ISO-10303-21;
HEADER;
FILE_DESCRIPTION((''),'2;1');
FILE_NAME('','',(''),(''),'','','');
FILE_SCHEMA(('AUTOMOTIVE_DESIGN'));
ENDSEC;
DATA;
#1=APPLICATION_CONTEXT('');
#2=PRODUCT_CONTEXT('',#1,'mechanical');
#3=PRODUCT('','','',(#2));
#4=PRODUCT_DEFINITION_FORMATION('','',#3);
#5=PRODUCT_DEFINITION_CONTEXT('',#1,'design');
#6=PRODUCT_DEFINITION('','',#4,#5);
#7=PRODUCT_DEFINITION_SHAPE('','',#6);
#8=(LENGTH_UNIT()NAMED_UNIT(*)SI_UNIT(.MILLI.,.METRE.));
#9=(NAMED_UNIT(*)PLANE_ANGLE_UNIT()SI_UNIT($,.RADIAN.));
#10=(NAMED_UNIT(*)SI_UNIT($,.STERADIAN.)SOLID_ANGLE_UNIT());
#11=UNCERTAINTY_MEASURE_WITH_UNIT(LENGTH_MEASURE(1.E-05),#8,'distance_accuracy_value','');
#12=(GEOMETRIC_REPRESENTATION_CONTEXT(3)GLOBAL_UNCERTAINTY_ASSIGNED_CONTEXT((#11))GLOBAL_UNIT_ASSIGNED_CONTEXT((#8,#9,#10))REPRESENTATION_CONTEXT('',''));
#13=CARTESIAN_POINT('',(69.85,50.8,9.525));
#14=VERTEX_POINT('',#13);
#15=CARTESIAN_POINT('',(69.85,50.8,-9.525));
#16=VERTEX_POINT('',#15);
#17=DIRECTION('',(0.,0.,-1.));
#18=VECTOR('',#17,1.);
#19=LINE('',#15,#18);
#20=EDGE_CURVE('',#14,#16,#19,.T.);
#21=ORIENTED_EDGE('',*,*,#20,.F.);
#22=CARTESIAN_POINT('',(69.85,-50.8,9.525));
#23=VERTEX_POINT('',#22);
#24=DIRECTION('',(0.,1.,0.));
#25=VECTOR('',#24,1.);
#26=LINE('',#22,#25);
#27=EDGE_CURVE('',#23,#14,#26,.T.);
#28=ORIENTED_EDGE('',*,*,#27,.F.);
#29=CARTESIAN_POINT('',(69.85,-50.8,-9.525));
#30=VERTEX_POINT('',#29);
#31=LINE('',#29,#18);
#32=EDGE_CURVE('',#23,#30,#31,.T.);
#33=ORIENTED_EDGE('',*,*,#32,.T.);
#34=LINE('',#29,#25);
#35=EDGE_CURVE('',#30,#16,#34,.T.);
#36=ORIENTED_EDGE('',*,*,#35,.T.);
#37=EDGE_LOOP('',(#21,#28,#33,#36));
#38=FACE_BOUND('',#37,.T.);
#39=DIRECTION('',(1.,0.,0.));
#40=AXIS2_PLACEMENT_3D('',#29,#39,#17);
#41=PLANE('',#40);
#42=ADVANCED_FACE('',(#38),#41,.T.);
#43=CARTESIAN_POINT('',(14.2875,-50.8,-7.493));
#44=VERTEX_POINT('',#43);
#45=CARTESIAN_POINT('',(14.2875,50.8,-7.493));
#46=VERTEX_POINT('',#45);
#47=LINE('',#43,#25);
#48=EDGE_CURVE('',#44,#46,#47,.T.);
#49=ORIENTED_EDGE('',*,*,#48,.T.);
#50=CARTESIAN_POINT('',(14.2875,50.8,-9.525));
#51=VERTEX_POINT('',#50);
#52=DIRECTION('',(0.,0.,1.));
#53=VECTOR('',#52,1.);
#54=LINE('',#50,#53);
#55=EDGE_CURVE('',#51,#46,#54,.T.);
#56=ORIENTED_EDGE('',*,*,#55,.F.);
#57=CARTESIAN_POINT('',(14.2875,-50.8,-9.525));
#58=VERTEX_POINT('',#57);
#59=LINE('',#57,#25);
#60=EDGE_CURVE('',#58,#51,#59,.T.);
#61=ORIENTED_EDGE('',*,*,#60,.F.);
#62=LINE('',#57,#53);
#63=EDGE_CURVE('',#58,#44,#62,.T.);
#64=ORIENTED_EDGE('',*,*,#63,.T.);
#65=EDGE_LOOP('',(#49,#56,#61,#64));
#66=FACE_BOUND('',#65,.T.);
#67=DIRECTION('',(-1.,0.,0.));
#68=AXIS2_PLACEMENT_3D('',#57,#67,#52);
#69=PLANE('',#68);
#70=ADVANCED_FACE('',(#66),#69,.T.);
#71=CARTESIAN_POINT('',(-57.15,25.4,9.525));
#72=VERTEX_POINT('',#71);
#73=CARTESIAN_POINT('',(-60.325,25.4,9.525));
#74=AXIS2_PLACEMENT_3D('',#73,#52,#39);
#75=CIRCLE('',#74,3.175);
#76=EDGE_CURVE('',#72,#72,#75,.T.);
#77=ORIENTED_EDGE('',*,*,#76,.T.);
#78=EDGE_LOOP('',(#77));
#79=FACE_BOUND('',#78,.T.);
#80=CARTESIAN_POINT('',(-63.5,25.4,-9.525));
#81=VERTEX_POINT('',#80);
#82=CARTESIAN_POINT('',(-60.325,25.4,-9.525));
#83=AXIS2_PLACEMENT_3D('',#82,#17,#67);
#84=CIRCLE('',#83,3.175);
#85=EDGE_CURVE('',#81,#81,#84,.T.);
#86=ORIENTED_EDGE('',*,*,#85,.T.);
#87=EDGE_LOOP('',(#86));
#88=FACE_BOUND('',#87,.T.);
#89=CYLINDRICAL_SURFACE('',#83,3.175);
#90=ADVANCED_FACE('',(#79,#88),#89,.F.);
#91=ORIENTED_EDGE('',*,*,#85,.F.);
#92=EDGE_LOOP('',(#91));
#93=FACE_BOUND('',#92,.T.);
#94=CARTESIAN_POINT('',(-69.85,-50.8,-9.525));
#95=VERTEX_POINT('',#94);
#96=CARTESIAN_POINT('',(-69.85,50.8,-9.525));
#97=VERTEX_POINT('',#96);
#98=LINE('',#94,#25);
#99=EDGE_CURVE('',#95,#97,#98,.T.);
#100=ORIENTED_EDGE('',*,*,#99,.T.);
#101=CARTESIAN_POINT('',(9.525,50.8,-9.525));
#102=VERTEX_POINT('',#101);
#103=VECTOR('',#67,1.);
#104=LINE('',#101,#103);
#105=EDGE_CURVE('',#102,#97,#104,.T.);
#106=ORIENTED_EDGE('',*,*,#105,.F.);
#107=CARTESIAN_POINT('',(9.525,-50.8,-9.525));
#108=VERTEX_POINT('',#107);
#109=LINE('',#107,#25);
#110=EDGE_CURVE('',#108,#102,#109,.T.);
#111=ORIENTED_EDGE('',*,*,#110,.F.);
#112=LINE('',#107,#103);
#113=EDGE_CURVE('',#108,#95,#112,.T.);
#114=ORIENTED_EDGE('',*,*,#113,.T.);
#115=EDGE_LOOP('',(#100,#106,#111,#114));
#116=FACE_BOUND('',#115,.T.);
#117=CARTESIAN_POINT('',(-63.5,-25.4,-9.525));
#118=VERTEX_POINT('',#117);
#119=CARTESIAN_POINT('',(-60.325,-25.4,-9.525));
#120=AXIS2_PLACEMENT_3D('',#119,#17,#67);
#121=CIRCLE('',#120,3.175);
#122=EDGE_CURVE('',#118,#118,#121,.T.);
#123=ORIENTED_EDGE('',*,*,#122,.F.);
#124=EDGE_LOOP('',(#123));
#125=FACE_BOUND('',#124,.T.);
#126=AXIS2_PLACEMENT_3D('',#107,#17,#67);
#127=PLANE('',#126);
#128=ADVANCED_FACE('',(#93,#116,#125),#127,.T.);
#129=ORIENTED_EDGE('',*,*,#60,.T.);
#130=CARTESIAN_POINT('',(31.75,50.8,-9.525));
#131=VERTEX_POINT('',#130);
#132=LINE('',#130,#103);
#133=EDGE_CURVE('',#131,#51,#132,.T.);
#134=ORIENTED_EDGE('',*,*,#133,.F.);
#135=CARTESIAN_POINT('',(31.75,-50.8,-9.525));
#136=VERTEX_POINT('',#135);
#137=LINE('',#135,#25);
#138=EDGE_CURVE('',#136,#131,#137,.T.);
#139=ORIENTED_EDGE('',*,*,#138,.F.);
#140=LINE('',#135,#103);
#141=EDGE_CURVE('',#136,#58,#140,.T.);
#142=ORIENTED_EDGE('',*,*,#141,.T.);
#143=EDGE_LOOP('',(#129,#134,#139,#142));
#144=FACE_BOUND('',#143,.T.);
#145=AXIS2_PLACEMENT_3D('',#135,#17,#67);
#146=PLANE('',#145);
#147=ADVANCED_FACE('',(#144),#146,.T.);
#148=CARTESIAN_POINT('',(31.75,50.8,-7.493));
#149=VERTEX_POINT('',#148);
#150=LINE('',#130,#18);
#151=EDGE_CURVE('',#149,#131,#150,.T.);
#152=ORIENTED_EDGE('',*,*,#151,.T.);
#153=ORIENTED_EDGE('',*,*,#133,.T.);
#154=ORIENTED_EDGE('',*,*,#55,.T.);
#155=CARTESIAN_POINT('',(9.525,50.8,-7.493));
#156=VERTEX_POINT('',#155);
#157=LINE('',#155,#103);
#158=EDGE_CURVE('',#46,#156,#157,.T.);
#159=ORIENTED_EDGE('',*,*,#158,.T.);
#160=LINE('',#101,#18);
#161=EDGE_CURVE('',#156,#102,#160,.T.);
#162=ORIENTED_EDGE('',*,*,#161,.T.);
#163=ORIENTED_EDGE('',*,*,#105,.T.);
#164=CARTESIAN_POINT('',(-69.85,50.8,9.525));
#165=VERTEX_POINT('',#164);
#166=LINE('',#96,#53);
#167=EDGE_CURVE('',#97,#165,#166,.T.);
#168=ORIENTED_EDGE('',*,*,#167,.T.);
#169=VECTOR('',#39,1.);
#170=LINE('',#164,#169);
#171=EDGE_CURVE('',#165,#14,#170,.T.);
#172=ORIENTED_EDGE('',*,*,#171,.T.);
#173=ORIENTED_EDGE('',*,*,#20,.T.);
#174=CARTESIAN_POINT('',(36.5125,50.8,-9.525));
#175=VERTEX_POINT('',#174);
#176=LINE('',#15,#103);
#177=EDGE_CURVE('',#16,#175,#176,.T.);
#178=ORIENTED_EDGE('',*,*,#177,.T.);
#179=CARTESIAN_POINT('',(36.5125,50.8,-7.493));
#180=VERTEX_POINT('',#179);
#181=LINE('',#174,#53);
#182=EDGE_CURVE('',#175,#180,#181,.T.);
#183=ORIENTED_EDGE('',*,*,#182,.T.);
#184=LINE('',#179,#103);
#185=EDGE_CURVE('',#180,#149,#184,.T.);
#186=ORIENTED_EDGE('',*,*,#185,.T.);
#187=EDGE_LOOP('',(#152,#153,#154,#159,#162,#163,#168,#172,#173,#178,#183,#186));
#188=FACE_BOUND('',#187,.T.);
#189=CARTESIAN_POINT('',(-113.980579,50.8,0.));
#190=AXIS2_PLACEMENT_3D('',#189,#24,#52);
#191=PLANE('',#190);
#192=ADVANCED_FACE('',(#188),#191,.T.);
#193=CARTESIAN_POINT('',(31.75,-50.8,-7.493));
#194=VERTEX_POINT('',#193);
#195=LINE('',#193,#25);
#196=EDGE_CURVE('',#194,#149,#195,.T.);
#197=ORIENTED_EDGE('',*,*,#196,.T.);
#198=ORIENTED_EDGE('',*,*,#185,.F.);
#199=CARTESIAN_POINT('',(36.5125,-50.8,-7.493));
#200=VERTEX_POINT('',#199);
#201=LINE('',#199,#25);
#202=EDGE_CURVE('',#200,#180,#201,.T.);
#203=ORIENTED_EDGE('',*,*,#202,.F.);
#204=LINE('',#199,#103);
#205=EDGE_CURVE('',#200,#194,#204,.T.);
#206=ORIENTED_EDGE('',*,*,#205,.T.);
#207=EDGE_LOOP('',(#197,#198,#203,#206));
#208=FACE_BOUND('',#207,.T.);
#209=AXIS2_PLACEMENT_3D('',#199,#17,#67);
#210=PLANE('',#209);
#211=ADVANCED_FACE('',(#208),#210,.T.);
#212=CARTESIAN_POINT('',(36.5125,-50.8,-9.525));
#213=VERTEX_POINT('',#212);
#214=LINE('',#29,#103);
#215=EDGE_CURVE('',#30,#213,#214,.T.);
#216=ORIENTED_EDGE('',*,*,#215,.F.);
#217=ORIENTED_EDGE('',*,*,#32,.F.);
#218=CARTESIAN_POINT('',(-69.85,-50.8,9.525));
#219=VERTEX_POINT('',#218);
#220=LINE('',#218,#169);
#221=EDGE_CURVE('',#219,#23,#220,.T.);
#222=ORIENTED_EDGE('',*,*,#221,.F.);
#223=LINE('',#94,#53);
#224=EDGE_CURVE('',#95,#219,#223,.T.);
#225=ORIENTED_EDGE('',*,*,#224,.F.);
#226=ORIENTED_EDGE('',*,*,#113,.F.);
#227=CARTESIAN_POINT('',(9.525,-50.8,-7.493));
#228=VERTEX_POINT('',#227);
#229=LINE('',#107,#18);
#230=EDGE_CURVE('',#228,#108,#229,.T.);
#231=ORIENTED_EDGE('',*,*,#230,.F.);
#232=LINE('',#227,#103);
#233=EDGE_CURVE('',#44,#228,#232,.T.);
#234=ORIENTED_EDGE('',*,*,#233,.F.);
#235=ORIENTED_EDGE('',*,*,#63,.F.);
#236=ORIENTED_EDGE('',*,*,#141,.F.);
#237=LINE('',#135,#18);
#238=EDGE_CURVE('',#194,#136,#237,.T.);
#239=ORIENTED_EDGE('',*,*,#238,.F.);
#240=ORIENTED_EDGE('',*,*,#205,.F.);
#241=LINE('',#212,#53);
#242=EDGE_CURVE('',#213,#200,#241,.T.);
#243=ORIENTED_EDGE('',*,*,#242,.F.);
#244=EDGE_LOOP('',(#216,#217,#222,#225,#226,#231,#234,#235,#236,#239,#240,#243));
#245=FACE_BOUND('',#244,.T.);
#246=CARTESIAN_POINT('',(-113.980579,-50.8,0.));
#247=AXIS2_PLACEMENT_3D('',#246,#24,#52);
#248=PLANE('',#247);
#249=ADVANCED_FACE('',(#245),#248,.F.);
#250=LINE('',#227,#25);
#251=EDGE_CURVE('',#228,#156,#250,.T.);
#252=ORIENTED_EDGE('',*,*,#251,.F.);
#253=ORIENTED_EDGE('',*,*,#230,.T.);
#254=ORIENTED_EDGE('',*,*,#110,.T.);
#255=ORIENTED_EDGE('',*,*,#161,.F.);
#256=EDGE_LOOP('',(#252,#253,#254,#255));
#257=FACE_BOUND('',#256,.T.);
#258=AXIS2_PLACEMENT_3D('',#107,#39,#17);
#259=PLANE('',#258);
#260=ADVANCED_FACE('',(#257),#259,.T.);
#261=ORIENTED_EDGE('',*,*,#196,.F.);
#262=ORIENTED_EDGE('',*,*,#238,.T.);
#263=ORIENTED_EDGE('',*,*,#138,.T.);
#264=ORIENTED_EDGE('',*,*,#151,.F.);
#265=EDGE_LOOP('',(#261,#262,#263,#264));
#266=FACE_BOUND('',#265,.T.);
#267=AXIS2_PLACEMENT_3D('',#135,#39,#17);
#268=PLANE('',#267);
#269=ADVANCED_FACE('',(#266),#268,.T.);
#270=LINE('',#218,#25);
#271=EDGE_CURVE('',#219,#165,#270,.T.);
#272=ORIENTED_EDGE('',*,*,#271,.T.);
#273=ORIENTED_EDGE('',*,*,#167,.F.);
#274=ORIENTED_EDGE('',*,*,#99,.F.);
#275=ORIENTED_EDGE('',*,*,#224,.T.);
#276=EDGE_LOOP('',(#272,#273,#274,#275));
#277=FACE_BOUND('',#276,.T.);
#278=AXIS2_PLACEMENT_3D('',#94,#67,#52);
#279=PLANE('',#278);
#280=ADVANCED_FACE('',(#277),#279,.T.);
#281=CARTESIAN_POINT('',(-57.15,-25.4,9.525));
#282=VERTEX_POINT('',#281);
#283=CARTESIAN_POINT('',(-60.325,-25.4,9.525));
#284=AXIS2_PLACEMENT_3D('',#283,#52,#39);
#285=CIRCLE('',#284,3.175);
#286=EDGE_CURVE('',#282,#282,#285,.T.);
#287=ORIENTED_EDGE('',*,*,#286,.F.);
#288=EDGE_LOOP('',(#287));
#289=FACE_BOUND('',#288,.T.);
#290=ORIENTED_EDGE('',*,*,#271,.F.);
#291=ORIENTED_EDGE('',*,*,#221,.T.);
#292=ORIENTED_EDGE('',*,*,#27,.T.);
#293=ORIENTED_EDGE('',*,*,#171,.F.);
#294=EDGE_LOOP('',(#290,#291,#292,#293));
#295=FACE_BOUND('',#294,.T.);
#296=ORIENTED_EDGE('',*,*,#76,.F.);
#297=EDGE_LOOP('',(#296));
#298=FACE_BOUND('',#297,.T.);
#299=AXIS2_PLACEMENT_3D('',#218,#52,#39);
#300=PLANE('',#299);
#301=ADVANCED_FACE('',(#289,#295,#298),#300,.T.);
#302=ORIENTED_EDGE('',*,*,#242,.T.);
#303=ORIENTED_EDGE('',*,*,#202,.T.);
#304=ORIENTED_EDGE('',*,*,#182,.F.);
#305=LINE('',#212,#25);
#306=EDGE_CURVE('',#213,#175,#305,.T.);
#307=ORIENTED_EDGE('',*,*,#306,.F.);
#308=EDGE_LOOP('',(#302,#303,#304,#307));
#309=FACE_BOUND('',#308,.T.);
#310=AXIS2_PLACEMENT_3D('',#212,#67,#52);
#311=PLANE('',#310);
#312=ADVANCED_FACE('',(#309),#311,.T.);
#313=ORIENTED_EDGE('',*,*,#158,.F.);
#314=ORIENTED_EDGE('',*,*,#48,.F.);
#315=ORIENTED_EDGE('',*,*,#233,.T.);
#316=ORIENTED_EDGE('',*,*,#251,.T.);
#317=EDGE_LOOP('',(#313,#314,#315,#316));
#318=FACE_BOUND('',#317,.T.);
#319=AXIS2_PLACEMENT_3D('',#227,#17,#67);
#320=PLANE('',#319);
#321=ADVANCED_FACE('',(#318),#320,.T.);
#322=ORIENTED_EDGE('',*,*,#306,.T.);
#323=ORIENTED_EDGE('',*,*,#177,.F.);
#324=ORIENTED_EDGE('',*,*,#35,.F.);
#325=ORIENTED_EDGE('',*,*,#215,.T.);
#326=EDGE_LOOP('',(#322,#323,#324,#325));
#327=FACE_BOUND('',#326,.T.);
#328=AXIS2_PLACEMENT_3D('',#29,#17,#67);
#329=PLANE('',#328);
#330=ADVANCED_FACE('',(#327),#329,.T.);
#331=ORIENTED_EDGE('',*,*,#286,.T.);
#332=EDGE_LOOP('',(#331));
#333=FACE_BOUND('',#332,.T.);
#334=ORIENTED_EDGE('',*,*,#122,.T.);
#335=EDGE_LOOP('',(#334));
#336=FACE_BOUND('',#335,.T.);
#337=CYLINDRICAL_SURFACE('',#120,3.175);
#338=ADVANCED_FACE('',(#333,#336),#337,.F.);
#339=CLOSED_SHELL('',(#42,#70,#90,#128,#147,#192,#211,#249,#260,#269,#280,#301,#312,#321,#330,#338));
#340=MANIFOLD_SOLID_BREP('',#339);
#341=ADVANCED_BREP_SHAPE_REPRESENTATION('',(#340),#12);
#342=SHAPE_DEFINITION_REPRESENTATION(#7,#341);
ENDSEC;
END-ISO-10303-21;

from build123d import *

# Parameters (mm, degrees)
BOSS_EXTRUDE3_DEPTH         = 50.8
F_1_4_0_25_DIAMETER_HOLE1_D = 6.35


with BuildPart() as part:
    # 3DSketch2 → Boss-Extrude3 (new, symmetric)
    with BuildSketch(Plane(origin=(69.85, 0, -9.525), x_dir=(-0.990830168044299, 0, 0.1351132047333135), z_dir=(0, -1, 0))):
        Polygon((0, 0), (33.031800727, 4.504336463), (33.306350759, 2.490969561), (38.025179435, 3.134446199), (37.750629402, 5.1478131), (55.053001212, 7.507227438), (55.327551244, 5.493860537), (60.046379919, 6.137337174), (59.771829887, 8.150704076), (138.418974476, 18.875314701), (140.992881026, 0), (2.57390655, -18.875314701), align=None)
    extrude(amount=BOSS_EXTRUDE3_DEPTH, both=True)

    # 1/4 (0.25) Diameter Hole1 (through all)
    with Locations(Plane(origin=(0, 0, -9.525), x_dir=(-1, 0, 0), z_dir=(0, 0, -1))):
        with Locations((60.325, -25.4), (60.325, 25.4)):
            Hole(F_1_4_0_25_DIAMETER_HOLE1_D / 2)


solid = part.part
